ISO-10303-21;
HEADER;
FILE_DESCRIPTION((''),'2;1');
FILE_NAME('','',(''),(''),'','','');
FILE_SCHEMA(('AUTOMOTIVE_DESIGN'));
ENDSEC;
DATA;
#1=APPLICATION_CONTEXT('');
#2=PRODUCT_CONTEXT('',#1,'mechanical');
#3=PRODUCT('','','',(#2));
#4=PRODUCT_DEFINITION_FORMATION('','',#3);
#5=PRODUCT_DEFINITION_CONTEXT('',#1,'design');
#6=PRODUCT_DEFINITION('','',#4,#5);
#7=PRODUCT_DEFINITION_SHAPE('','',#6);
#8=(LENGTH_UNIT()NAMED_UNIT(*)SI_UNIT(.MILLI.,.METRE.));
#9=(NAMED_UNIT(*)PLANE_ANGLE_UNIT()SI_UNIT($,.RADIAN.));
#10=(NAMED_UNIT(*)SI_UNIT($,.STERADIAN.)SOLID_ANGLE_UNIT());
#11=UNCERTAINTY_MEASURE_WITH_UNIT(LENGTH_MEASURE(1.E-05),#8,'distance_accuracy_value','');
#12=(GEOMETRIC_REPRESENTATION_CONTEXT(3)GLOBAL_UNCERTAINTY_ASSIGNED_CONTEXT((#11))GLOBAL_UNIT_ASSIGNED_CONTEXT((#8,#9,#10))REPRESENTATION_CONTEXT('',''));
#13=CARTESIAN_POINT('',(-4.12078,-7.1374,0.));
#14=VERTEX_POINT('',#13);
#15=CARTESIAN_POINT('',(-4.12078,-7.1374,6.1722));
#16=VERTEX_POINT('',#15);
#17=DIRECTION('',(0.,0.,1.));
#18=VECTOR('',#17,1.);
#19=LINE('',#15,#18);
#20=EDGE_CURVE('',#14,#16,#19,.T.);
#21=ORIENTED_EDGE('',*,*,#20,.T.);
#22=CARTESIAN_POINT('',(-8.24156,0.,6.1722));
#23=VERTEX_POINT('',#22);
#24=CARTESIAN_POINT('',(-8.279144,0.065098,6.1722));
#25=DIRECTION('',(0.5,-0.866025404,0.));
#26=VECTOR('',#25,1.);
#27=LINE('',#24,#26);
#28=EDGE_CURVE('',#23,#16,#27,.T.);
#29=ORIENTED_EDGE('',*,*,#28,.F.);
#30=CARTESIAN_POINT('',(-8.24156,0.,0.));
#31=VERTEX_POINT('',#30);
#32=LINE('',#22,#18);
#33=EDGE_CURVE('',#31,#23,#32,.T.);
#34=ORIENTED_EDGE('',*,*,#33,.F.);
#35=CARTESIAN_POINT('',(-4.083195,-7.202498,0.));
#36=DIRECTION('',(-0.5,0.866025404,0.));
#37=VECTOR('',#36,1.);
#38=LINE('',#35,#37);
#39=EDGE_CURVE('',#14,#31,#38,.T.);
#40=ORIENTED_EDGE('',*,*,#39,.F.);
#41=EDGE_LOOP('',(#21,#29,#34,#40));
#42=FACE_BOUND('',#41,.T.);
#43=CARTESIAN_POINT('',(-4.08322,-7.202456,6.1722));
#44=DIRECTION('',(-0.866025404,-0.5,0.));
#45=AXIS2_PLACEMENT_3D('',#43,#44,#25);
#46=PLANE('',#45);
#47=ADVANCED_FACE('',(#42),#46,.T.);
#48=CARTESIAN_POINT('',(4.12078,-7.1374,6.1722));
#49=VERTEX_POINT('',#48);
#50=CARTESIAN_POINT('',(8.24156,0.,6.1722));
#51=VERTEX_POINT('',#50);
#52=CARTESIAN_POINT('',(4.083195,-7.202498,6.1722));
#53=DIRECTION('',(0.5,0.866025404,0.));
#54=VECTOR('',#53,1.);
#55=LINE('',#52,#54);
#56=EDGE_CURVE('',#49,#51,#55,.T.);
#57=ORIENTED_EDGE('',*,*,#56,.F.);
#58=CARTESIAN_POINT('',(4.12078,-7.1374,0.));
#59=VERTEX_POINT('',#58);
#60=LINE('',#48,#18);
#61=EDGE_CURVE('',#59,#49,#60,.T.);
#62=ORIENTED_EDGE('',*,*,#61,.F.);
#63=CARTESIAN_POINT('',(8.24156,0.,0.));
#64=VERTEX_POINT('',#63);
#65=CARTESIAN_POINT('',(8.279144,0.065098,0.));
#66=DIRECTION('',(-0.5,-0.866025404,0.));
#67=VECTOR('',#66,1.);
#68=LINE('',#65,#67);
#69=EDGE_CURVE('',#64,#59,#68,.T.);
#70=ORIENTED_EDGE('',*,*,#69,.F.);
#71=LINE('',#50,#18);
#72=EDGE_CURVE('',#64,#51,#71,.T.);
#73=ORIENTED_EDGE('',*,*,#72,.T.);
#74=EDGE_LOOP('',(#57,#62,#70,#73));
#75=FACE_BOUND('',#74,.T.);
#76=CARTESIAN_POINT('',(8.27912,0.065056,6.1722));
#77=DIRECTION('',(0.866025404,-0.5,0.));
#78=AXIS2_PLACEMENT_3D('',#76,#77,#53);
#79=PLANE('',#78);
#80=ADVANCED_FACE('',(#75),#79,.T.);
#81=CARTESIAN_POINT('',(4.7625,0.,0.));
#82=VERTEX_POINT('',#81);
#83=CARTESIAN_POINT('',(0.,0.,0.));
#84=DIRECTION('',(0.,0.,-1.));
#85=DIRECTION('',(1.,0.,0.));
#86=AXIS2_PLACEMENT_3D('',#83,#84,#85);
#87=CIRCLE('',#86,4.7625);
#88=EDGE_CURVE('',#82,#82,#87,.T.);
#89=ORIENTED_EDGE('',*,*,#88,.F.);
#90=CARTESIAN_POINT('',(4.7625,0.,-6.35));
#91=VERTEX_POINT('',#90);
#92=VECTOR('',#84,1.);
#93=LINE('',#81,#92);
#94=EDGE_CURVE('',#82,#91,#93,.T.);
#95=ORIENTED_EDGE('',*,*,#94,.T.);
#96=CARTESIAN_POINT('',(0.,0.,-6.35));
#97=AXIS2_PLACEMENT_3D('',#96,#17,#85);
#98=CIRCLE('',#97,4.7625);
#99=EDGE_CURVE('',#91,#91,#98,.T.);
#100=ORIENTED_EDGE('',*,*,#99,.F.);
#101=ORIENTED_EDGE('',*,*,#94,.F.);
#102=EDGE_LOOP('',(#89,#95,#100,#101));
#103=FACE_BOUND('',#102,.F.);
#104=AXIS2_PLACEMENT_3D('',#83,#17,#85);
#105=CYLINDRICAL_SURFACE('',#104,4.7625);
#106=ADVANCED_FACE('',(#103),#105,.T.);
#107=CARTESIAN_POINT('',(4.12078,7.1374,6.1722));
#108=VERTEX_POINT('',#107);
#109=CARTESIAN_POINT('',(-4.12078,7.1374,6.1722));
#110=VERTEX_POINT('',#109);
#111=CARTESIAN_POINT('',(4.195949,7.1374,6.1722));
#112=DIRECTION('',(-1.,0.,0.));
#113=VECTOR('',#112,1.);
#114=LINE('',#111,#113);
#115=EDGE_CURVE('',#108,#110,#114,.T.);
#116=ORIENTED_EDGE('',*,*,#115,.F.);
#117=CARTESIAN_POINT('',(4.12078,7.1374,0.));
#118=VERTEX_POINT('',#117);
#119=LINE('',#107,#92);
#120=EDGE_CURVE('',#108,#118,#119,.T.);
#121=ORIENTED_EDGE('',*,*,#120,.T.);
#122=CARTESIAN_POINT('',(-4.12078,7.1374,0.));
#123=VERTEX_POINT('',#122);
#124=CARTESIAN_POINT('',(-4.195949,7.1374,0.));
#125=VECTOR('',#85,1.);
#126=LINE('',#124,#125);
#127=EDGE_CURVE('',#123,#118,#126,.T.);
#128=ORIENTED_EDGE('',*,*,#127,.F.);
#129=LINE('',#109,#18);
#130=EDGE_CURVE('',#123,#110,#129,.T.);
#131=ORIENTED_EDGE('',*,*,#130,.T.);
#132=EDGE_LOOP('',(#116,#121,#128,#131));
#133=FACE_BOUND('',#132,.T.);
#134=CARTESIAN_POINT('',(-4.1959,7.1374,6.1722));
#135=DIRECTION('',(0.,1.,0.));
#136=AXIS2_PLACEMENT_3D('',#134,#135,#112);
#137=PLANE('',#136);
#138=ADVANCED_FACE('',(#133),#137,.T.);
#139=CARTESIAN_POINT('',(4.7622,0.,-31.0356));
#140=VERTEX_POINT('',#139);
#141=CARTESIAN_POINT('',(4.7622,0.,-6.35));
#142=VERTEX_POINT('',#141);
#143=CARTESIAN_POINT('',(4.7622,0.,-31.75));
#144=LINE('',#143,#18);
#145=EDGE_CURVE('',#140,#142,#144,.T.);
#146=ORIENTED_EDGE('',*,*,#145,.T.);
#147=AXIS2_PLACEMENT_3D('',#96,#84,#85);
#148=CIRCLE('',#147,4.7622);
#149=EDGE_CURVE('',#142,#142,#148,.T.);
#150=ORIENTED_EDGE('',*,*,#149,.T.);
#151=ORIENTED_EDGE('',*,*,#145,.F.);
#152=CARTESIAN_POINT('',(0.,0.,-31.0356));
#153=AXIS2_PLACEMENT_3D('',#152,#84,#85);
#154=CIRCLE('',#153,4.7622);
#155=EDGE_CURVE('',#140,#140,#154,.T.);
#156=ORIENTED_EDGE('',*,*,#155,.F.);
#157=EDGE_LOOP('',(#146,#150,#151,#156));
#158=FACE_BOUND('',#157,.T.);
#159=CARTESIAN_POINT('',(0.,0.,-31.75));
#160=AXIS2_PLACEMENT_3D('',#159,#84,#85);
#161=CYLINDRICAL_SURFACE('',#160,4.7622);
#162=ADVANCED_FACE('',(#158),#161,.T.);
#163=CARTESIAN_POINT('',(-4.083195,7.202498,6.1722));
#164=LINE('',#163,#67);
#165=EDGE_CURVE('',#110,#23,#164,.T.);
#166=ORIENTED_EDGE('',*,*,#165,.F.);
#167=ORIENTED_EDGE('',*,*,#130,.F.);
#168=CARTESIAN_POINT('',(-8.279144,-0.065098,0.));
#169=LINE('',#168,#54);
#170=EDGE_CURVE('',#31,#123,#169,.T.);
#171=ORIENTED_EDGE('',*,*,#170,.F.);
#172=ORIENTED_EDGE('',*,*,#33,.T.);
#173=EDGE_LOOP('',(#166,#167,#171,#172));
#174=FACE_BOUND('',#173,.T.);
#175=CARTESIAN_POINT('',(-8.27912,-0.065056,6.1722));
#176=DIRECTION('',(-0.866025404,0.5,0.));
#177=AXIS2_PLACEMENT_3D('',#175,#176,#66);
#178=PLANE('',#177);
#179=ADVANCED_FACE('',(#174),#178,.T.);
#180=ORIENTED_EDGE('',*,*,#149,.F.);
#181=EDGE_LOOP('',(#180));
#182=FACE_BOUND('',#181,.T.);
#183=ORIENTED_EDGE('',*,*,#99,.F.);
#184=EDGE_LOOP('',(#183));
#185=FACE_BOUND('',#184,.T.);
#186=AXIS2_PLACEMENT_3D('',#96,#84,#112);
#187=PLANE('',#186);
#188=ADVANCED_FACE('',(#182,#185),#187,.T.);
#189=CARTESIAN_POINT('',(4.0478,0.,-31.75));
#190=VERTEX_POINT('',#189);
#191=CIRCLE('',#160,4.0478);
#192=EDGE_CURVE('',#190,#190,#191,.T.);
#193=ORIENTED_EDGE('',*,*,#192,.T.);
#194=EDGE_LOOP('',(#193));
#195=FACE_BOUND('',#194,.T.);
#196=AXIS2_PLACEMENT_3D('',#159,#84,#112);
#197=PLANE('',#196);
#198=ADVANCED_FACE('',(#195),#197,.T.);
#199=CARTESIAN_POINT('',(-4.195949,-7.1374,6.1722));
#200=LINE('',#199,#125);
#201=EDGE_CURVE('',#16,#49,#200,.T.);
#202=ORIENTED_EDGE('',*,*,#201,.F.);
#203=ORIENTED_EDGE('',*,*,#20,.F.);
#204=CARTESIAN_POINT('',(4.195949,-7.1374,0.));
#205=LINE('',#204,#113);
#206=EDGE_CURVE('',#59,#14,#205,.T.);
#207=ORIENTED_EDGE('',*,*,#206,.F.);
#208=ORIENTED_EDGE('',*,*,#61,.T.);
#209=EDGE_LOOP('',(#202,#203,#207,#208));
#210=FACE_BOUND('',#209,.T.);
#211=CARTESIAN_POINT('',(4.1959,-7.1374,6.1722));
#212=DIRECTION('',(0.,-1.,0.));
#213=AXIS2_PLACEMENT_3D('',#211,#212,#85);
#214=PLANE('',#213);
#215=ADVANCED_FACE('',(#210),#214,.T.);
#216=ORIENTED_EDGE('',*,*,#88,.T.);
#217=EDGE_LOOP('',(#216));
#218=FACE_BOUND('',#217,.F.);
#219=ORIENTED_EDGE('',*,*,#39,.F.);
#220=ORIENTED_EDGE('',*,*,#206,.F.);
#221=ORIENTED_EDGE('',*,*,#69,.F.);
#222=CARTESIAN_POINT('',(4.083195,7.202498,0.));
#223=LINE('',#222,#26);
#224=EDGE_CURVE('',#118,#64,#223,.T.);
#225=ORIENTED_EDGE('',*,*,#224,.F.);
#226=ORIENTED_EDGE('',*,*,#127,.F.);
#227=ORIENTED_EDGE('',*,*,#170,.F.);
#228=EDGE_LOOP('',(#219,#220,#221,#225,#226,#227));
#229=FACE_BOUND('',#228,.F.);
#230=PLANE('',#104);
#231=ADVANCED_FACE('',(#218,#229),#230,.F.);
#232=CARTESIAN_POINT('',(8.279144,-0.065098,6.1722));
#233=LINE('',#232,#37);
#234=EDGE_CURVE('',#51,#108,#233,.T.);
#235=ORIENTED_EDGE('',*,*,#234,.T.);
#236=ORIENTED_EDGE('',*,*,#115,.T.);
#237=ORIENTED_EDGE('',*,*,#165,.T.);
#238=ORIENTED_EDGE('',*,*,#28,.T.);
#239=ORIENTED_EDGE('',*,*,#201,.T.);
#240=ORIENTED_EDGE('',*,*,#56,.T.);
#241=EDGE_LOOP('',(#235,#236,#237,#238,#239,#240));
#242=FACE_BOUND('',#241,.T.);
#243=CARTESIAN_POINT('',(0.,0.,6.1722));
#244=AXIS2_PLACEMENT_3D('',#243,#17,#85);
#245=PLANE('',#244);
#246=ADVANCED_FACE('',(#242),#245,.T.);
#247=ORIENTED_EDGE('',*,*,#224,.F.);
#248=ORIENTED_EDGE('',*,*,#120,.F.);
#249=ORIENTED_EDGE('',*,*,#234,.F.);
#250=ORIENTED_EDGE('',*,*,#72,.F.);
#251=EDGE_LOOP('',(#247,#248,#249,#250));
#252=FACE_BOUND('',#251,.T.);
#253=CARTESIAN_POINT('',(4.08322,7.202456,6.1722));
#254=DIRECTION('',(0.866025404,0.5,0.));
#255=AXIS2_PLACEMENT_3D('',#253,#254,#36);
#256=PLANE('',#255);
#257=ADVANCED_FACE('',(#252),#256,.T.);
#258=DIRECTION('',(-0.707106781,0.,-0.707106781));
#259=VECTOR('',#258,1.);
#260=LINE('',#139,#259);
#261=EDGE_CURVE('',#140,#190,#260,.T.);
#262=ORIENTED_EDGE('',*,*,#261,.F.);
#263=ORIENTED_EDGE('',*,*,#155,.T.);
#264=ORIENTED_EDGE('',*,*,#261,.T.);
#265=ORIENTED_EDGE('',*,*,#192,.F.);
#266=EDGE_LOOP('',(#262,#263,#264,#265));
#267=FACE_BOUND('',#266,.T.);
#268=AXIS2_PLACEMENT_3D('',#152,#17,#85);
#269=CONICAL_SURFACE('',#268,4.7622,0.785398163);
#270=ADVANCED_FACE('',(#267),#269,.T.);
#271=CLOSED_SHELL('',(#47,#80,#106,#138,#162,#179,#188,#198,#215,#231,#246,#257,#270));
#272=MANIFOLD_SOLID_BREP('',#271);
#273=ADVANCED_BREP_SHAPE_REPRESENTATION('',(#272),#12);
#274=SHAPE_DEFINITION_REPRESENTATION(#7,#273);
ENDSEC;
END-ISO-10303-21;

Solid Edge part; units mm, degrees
sketch "Sketch1" plane through (0, 0, 0) normal (0, 0, 1) x (1, 0, 0)
  circle A0 centre (0, 0) radius 8.2794
  dimension "D1" = 16.5588
extrude "Protrusion1" add sketch "Sketch1" along normal blind 6.1722
sketch "Sketch2" plane through (0, 0, 0) normal (0, 0, -1) x (1, 0, 0)
  circle A0 centre (0, 0) radius 4.7625
extrude "Protrusion2" add sketch "Sketch2" along normal blind 31.75
sketch "Sketch3" plane through (0, 0, -31.75) normal (0, 0, -1) x (1, 0, 0)
  circle A0 centre (0, 0) radius 4.7622
extrude "Cutout1" cut sketch "Sketch3" against normal blind 25.4 flip side to cut
chamfer "Chamfer_1" distance 0.7144 angle 45 1 edges at (-4.7622, 0, -31.75)
sketch "Sketch4" plane through (0, 0, 6.1722) normal (0, 0, 1) x (1, 0, 0)
  line L0 (-4.1959, 7.1374) -> (4.1959, 7.1374)
  dimension "D1" = 14.2748
extrude "Cutout2" cut sketch "Sketch4" against normal up to next material side at (0, 7.1874, 6.1722)
pattern_circular "Pattern1" count 6 over 360 about axis through (0, 0, 6.1722) along (0, 0, 1) of "Cutout2"
properties part number "24100081"
